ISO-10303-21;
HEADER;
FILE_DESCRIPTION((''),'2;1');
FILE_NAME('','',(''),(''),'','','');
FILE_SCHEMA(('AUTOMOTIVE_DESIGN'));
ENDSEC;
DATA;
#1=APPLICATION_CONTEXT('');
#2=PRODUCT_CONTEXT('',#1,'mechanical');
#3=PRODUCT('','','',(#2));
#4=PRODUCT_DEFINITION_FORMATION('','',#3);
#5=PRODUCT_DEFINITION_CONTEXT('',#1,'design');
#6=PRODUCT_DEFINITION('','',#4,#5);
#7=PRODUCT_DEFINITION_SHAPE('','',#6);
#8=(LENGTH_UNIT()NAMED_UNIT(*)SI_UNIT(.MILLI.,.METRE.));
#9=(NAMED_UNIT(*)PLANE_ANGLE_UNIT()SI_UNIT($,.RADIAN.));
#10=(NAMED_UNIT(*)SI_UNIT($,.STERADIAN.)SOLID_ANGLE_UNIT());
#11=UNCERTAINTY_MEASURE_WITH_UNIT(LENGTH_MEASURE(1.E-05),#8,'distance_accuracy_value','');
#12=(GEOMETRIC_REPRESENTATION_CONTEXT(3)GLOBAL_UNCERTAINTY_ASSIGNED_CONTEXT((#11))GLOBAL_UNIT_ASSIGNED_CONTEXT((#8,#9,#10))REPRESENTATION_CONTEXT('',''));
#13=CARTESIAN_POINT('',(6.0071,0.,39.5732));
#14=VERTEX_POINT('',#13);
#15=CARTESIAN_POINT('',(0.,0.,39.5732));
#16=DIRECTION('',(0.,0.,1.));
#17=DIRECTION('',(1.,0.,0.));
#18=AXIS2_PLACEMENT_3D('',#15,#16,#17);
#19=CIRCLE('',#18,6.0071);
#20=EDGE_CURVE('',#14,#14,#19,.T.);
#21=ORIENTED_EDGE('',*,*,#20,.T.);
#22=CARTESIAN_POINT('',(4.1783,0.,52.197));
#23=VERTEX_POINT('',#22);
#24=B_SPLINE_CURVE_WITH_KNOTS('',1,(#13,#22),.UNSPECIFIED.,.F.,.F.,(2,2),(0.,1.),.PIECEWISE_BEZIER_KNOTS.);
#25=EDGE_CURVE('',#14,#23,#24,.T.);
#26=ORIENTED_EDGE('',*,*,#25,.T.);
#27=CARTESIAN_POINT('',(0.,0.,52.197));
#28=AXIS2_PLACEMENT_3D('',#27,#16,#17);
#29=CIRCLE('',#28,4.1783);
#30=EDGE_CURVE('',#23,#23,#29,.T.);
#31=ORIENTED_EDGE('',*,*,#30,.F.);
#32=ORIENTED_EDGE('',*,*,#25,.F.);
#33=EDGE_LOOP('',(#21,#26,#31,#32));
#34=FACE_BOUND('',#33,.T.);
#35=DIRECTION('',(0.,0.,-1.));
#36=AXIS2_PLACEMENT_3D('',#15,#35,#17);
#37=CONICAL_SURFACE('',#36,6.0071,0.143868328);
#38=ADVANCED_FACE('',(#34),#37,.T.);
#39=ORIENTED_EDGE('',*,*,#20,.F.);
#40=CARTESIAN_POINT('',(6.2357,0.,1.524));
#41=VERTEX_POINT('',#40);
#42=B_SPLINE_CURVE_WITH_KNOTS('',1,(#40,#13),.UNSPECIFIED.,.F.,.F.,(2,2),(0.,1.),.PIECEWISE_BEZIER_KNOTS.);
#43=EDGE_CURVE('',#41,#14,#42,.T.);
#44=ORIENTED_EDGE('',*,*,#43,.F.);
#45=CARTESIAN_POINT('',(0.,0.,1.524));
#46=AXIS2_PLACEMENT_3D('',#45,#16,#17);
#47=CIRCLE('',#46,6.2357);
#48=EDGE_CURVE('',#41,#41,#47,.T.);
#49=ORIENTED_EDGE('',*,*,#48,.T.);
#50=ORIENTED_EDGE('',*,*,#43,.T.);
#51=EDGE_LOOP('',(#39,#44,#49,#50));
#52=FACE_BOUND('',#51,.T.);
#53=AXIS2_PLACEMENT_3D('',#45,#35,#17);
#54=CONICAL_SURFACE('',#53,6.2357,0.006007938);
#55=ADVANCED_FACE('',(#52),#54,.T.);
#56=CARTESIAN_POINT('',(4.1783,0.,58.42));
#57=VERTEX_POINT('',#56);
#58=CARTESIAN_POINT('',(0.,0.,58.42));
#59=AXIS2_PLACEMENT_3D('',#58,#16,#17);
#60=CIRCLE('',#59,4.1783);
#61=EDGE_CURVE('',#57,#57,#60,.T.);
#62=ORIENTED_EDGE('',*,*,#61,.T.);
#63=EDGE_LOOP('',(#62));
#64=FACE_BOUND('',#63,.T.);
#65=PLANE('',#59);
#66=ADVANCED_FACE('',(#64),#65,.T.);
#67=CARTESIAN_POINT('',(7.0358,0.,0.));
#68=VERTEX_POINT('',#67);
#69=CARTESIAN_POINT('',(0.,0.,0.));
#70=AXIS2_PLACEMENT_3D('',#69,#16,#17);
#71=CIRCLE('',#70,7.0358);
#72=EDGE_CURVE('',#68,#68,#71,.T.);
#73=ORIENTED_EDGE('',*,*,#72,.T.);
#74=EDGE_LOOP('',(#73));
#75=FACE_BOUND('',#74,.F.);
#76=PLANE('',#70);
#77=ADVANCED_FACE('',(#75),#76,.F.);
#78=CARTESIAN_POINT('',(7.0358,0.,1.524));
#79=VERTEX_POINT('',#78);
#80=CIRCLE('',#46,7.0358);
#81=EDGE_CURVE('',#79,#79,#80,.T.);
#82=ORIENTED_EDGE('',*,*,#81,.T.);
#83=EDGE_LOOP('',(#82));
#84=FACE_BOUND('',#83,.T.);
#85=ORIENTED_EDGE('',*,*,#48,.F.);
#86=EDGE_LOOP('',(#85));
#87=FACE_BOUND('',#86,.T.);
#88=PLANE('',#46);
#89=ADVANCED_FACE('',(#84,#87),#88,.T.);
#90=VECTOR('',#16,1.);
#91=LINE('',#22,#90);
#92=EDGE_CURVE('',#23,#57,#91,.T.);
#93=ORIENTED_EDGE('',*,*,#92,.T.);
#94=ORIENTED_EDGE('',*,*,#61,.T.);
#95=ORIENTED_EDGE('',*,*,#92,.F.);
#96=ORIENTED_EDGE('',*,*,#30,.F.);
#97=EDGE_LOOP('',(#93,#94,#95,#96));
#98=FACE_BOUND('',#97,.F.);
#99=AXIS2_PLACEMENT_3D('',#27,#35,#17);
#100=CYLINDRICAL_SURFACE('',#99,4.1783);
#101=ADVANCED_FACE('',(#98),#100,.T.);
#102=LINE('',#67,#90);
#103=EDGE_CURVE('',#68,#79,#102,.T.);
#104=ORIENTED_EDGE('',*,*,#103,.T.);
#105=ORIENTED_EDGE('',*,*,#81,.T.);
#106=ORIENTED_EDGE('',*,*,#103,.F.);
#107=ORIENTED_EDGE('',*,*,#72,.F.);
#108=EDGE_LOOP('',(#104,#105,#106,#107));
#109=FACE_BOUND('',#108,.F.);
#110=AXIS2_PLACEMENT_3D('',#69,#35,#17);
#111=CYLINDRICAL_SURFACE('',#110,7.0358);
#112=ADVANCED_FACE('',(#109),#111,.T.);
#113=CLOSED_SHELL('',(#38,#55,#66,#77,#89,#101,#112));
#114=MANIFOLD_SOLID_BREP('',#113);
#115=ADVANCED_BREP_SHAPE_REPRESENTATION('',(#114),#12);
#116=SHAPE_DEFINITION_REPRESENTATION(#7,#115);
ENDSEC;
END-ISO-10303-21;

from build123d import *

# Parameters (mm, degrees)
F0_R      = 7.0358
F1_DEPTH  = 1.524
F2_R      = 6.2357
F4_R      = 6.0071
F5_FACE_R = 6.0071
F7_R      = 4.1783
F9_DEPTH  = 6.223


with BuildPart() as f1:
    # F0 (on Top) → F1 (new body)
    with BuildSketch(Plane.XY):
        Circle(F0_R)
    extrude(amount=F1_DEPTH)

    # F2 (on face) → F5 section 0
    with BuildSketch(Plane.XY.offset(1.524)):
        Circle(F2_R)
    # F4 (on offset) → F5 section 1
    with BuildSketch(Plane.XY.offset(39.5732)):
        Circle(F4_R)
    loft()

    # F5_face (on face) → F8 section 0
    with BuildSketch(Plane.XY.offset(39.5732)):
        Circle(F5_FACE_R)
    # F7 (on offset) → F8 section 1
    with BuildSketch(Plane.XY.offset(52.197)):
        Circle(F7_R)
    loft()

    # F9 (add): a face of the model
    f9_faces = [f1.faces().sort_by_distance(p)[0] for p in [
        (0, 0, 52.197),
    ]]
    extrude(f9_faces, amount=F9_DEPTH)


solid = f1.part
